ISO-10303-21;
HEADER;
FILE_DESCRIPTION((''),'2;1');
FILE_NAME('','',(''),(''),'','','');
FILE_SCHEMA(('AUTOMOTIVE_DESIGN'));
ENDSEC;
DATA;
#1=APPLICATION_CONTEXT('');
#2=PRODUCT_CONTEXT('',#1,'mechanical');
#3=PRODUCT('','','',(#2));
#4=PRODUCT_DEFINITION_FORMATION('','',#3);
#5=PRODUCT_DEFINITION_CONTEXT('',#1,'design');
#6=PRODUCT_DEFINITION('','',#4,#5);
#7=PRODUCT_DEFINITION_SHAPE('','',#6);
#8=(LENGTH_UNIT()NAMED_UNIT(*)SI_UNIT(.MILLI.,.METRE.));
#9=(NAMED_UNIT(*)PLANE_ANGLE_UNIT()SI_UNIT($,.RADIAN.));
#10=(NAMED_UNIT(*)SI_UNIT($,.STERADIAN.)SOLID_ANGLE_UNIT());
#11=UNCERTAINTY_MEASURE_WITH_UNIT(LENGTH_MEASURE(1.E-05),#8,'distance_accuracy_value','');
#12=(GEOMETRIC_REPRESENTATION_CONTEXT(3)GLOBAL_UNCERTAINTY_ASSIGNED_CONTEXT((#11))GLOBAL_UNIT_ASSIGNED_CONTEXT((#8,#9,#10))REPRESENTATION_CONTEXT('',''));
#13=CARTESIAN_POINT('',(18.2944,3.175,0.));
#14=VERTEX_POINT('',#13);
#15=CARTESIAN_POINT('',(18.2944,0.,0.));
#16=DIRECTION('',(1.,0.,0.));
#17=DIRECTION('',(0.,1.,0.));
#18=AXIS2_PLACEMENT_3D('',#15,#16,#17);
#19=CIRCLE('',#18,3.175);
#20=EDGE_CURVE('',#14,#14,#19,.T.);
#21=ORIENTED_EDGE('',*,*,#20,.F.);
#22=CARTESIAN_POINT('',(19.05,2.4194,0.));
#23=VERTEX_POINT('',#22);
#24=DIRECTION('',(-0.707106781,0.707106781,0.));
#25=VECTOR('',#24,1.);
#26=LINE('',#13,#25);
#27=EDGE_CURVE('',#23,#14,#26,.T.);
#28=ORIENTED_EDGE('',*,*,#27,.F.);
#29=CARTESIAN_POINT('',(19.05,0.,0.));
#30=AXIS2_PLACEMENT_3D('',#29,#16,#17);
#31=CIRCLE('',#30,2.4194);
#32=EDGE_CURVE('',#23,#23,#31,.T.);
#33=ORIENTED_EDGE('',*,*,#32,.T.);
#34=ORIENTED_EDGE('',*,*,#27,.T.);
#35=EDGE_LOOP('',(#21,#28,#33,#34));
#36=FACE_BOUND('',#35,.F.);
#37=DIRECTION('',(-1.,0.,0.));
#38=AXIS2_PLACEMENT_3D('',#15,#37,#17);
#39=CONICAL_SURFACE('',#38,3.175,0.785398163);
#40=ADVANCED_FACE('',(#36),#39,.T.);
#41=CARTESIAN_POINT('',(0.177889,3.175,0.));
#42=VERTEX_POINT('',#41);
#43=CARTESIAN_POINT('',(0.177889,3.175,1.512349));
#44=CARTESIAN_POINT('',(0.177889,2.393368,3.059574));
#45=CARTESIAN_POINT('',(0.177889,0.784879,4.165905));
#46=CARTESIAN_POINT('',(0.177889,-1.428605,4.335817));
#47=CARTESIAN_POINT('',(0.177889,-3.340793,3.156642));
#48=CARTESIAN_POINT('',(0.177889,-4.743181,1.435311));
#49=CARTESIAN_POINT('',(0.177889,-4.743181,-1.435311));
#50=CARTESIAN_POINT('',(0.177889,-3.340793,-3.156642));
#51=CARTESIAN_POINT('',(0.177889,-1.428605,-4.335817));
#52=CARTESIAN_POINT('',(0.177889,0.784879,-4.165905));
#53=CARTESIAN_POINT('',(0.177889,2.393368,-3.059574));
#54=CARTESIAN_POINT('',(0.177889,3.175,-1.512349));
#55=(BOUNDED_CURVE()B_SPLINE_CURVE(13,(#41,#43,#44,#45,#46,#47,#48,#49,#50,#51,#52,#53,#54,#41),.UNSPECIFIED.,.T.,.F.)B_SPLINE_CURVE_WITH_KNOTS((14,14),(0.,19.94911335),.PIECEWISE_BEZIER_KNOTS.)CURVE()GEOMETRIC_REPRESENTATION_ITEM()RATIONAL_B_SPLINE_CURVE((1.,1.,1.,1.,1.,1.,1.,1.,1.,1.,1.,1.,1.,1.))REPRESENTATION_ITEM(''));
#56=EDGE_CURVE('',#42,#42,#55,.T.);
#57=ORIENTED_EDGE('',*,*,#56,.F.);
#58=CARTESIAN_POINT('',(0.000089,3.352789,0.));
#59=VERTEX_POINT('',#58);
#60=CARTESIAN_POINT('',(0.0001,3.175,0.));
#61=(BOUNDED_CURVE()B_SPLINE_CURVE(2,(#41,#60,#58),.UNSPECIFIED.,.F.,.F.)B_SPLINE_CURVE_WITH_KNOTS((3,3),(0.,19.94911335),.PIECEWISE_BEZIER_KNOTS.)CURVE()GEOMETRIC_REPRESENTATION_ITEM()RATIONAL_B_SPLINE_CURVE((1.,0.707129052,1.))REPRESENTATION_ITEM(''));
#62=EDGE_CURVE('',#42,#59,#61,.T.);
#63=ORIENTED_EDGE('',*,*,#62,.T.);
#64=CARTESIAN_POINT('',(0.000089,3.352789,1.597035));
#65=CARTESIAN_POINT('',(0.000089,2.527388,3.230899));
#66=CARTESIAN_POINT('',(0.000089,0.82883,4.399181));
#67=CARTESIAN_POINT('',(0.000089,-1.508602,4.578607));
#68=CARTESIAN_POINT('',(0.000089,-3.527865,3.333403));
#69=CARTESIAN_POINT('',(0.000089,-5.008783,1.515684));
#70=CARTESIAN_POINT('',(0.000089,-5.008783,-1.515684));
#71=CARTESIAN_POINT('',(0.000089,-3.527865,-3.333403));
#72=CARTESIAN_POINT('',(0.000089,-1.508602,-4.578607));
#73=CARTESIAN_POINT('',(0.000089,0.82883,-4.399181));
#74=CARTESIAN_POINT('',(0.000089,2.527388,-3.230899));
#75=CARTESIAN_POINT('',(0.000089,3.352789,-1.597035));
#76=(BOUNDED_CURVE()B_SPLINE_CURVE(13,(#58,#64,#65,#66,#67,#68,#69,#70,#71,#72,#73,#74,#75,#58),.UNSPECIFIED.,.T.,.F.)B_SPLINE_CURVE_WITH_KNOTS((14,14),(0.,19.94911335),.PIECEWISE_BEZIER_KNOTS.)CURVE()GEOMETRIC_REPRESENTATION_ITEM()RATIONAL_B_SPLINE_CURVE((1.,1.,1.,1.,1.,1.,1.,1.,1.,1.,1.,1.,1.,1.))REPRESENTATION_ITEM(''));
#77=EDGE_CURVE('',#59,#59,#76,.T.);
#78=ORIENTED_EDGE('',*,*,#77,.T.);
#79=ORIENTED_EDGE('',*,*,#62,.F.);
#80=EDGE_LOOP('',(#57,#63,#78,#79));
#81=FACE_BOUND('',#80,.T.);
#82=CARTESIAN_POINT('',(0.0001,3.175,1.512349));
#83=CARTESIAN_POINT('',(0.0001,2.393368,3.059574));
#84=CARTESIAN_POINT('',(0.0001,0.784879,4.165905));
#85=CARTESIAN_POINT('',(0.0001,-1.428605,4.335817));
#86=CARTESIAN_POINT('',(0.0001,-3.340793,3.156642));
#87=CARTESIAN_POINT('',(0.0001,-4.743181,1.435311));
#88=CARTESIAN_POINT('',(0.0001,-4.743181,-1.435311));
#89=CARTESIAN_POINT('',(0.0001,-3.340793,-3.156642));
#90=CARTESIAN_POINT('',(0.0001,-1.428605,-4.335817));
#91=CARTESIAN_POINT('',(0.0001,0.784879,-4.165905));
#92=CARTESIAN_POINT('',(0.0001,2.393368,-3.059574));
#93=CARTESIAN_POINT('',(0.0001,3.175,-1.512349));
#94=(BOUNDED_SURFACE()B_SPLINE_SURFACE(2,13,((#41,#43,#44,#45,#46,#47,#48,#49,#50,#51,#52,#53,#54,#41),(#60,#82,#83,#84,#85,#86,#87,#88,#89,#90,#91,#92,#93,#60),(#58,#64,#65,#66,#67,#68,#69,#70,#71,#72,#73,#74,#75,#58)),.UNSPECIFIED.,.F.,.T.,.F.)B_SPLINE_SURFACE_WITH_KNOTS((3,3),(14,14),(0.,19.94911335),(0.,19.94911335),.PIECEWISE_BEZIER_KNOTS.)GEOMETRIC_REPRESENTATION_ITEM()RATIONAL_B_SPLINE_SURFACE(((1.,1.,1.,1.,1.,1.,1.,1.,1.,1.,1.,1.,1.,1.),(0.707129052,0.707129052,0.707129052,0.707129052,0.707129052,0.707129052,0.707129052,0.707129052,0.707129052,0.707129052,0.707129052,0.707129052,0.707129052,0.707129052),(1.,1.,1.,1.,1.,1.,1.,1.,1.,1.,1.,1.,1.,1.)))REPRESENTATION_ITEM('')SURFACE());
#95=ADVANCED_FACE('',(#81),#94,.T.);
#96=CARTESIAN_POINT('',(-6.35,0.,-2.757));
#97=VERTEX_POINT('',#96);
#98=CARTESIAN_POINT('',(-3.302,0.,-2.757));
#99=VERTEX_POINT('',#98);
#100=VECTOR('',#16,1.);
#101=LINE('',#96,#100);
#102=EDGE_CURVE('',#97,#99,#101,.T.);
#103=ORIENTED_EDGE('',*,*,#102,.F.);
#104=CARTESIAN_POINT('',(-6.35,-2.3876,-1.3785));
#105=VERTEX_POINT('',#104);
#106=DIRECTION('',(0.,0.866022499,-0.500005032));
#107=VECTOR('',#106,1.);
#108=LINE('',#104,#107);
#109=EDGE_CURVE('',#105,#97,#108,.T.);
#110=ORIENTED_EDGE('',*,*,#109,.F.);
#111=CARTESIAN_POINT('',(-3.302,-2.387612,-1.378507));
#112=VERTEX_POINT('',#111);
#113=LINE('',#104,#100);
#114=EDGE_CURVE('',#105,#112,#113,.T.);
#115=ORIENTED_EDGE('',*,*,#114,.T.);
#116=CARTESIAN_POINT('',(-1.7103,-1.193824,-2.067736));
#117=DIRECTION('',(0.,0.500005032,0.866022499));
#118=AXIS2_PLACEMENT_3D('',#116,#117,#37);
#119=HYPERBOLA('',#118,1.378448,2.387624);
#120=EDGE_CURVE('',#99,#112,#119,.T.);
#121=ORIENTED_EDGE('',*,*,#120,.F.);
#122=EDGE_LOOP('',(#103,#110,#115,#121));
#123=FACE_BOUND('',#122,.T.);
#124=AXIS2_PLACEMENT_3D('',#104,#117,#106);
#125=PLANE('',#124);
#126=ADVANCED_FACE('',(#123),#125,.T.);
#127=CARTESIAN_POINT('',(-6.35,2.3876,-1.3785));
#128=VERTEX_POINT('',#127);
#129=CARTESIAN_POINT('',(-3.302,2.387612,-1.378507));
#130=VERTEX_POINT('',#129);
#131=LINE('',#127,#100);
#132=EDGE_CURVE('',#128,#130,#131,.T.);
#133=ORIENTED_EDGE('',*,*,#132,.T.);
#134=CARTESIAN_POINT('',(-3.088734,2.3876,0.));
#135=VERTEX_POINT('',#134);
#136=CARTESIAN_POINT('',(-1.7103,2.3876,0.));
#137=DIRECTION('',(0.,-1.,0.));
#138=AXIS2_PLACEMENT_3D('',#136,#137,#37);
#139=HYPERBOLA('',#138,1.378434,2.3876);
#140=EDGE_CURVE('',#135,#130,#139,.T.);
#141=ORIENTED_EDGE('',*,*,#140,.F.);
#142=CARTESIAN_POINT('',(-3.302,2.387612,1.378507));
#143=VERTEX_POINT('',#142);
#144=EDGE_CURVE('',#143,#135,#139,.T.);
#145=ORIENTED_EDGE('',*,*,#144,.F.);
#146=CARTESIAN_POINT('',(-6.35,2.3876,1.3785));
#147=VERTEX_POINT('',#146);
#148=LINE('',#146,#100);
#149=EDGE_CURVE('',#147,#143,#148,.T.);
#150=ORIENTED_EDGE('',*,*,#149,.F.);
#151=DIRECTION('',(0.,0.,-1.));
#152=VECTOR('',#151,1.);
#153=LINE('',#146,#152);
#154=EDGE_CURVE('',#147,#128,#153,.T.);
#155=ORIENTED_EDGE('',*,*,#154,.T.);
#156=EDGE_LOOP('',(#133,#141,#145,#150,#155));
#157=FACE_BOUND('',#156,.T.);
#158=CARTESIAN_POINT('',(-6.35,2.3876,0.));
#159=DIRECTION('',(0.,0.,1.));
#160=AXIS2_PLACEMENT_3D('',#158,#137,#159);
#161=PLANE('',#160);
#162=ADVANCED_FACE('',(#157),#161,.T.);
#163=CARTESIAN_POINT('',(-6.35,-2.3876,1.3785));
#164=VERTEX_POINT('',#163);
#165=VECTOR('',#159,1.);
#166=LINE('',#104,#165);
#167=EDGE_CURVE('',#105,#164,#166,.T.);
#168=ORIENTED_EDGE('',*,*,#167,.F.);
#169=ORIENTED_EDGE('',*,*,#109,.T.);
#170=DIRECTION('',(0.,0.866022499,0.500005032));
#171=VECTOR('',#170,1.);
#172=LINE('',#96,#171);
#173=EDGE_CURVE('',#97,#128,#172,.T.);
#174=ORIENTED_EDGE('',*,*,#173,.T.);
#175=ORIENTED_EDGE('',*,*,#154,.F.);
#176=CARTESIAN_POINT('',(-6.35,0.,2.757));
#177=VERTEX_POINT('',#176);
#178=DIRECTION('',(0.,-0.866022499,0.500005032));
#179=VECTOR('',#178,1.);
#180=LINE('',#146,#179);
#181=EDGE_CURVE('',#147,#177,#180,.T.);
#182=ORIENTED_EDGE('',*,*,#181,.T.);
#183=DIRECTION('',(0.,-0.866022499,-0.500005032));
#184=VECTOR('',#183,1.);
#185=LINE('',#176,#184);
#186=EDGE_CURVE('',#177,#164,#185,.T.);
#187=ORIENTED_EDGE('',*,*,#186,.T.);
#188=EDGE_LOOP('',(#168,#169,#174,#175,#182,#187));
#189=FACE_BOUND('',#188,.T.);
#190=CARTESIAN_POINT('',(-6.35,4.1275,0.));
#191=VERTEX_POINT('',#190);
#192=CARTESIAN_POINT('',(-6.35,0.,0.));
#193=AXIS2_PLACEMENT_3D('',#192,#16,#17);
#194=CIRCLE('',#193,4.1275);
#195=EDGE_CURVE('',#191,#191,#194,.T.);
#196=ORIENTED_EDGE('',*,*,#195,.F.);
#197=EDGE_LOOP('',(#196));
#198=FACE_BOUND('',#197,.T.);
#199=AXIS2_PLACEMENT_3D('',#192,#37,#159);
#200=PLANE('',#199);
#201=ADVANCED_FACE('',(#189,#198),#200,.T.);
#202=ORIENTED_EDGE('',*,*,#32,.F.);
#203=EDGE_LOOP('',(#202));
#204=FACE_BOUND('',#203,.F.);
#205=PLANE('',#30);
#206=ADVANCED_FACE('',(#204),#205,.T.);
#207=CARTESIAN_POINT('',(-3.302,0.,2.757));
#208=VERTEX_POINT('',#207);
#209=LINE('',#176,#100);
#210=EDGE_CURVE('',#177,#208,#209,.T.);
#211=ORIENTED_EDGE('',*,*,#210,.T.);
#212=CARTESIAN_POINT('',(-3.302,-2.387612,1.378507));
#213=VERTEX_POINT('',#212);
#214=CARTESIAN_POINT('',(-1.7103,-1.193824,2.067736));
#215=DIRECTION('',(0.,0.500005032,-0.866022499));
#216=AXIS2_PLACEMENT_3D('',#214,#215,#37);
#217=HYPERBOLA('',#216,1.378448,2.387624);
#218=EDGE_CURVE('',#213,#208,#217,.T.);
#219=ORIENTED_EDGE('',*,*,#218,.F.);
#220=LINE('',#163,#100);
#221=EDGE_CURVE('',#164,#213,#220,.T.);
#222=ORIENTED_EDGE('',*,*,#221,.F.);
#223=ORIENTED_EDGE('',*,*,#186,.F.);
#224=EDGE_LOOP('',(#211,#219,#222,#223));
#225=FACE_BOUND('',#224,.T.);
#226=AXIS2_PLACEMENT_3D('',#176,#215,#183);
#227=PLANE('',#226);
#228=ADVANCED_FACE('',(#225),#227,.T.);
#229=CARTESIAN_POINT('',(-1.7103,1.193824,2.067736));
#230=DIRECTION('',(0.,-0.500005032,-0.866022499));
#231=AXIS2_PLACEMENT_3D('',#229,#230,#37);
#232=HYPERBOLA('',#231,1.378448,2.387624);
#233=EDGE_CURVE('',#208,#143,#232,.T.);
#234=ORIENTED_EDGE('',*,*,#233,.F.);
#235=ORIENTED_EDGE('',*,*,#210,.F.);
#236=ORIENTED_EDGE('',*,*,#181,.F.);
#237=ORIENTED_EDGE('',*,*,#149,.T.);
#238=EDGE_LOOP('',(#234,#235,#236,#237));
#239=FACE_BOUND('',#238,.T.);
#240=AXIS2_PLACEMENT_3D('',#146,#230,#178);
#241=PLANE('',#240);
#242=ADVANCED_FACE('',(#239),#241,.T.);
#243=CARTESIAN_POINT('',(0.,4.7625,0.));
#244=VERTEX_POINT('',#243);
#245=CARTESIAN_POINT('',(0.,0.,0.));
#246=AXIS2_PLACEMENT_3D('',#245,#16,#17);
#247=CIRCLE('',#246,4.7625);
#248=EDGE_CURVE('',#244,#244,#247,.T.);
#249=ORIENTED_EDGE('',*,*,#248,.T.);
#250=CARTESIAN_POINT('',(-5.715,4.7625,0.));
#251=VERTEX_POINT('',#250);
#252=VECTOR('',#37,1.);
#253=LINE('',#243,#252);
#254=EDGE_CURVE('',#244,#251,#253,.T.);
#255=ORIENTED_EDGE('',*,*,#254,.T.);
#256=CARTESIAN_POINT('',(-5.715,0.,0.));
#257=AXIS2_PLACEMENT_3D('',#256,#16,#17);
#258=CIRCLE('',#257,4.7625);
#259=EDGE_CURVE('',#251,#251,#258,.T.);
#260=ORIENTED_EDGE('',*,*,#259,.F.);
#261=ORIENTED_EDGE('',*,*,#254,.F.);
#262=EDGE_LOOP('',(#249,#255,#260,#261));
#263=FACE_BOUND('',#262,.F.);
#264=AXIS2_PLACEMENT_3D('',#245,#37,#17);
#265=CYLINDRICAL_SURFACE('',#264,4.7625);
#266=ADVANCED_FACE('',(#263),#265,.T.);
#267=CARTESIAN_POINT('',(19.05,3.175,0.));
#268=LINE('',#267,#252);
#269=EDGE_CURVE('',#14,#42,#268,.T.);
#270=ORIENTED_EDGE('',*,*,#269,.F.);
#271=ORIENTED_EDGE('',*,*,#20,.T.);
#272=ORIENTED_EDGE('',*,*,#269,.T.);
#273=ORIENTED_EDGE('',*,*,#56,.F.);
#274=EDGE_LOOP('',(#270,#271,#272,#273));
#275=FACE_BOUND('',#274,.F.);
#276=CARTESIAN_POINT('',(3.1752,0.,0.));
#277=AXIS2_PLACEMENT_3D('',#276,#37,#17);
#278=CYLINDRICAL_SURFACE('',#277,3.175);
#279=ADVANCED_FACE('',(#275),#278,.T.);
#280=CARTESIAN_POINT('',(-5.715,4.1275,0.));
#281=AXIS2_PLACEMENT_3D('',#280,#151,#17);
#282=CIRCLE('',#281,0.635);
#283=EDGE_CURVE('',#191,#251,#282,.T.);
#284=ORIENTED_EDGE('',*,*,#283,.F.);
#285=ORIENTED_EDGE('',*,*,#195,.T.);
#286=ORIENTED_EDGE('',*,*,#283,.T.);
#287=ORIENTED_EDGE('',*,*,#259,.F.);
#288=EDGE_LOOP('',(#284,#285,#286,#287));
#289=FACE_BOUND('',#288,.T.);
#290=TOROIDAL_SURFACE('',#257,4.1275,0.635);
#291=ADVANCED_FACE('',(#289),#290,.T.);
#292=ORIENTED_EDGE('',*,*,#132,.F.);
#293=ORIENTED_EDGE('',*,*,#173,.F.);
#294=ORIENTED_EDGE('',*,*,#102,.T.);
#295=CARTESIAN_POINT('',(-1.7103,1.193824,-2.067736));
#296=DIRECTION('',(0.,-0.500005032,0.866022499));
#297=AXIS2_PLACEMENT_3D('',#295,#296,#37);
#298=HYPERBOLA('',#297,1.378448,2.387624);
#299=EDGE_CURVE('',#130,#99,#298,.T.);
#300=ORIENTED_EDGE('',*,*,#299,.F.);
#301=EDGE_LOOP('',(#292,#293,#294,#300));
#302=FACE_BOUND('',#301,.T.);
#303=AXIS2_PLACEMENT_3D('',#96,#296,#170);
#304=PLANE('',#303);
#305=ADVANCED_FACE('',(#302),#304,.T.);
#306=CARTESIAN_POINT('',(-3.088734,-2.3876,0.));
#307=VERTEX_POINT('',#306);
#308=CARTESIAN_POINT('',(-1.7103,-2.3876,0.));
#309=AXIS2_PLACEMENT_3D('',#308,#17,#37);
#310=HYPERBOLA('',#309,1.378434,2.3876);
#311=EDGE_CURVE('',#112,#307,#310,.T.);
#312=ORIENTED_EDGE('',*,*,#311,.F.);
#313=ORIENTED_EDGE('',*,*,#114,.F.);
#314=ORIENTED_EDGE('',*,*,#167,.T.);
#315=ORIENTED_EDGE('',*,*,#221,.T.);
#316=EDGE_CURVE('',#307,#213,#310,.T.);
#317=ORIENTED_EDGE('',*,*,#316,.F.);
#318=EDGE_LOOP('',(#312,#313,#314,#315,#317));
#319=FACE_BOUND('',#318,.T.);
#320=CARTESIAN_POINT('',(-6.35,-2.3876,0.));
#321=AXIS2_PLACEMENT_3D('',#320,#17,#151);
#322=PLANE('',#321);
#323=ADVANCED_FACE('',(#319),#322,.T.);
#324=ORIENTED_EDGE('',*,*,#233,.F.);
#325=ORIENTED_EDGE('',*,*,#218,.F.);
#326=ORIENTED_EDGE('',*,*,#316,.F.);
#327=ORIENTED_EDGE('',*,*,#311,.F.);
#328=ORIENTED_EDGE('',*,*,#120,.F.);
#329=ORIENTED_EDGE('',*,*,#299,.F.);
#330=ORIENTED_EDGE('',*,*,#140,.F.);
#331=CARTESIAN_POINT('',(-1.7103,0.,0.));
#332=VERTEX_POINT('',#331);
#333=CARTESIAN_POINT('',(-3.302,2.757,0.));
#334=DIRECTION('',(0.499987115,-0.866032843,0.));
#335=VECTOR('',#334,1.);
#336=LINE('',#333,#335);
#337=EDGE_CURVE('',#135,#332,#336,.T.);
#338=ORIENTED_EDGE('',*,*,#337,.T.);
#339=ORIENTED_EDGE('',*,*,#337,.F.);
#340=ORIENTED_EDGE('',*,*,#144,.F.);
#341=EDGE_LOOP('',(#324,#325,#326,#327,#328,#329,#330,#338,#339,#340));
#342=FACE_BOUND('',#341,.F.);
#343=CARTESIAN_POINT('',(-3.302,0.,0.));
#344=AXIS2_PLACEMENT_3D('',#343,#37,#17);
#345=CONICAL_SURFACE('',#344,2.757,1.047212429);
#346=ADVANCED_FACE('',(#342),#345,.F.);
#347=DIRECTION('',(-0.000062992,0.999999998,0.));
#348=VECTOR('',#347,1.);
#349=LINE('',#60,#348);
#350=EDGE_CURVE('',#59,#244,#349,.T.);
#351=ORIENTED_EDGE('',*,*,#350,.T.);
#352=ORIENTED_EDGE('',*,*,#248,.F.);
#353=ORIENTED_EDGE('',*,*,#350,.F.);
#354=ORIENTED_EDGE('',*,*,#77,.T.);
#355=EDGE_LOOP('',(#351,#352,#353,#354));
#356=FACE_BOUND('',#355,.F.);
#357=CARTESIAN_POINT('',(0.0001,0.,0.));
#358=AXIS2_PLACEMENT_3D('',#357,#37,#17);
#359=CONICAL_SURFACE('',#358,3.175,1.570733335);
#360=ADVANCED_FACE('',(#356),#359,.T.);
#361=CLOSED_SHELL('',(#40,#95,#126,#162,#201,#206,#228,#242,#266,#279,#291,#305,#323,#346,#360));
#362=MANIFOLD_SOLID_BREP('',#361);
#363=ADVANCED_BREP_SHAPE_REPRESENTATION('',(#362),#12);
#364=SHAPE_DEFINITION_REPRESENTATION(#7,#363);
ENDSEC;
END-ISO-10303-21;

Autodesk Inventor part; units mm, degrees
ref_plane "YZ Plane" through (0, 0, 0) normal (1, 0, 0) x (0, 1, 0)
ref_plane "XZ Plane" through (0, 0, 0) normal (0, 1, 0) x (-1, 0, 0)
sketch "Sketch1" plane through (0, 0, 0) normal (0, 0, 1) x (1, 0, 0)
  line L0 (-1.7103, 0) -> (19.05, 0)
  line L1 (19.05, 0) -> (19.05, 3.175)
  line L2 (19.05, 3.175) -> (3.1752, 3.175)
  line L3 (3.1752, 3.175) -> (0.0001, 3.175)
  line L4 (0.0001, 3.175) -> (0, 3.175)
  line L5 (0, 3.175) -> (0, 4.7625)
  line L6 (0, 4.7625) -> (-6.35, 4.7625)
  line L7 (-6.35, 4.7625) -> (-6.35, 2.757)
  line L8 (-6.35, 2.757) -> (-3.302, 2.757)
  line L9 (-3.302, 2.757) -> (-1.7103, 0)
  line L10 (-11.43, 0) -> (24.13, 0) projected
  line L11 (0, -0.9525) -> (0, 5.715) projected
  line L12 (3.1752, 3.175) -> (0, 3.175) construction
  dimension "d1" = 15.8748
  dimension "d2" = 3.1751
  dimension "d3" = 6.35
  dimension "d4" = 3.048
  dimension "d5" = 60
  dimension "d6" = 6.35
  dimension "d7" = 6.35
  dimension "d8" = 5.5139
  dimension "d9" = 9.525
  dimension "d26" = 19.05
revolve "Body" add sketch "Sketch1" angle 360 about axis through (-1.7103, 0, 0) along (1, 0, 0)
sketch "Sketch2" plane through (-6.35, 0, 0) normal (-1, 0, 0) x (0, 0, 1)
  circle A0 centre (0, 0) radius 2.757 projected
  line L0 (0, -6.6675) -> (0, 6.6675) projected
  line L1 (-6.6675, 0) -> (6.6675, 0) projected
  line L2 (2.757, 0) -> (1.3785, -2.3876)
  line L3 (1.3785, -2.3876) -> (-1.3785, -2.3876)
  line L4 (-1.3785, -2.3876) -> (-2.757, 0)
  line L5 (-2.757, 0) -> (-1.3785, 2.3876)
  line L6 (-1.3785, 2.3876) -> (1.3785, 2.3876)
  line L7 (1.3785, 2.3876) -> (2.757, 0)
extrude "Slot" add sketch "Sketch2" against normal up to next contours L7 A0 | A0 L2 | L6 L0 A0 | A0 L0 L3 | L0 L6 A0 | A0 L3 L0 | L4 A0 | A0 L5
fillet "Fillet1" radius 0.635 1 edges at (-6.35, -4.7625, 0)
thread "Thread" size "1/4-20 UNC" class "2A" standard "ANSI Unified Screw Threads" length 15.8748
chamfer "Chamfer1" distance 0.7556 distance2 0.7556 1 edges at (19.05, -3.175, 0) measured on face at (19.05, 0.0983, -0.8099)
ref_plane "Work Plane1" through (29, 0, 0) normal (0, -1, 0) x (1, 0, 0)
fillet "Fillet2" radius 0.1778 1 edges at (0.0001, -3.175, 0)
equation "\"d1\" = GEL"
equation "\"d3\" = KOH"
equation "\"d4\" = INTI"
equation "\"d6\" = GD"
equation "\"d7\" = BDM"
equation "\"d8\" = 1.1547 * SW"
equation "\"d9\" = KOD"
equation "\"d26\" = NLG"
equation "\"d30\" = R"
equation "\"d17\" = RR"
equation "\"d13\" = GEL"
equation "\"d15\" = -0.5 * SPD + 0.5 * GD"
equation "\"d16\" = GUL"
equation "\"GD\" = 6.35"
equation "\"NLG\" = 19.05"
equation "\"GEL\" = 15.8748"
equation "\"KOD\" = 9.525"
equation "\"KOH\" = 6.35"
equation "\"INTI\" = 3.048"
equation "\"GAL\" = 3.175"
equation "\"GUL\" = 0.75565"
equation "\"BDM\" = 6.35"
equation "\"SW\" = 4.7752"
equation "\"RR\" = 0.635"
equation "\"SPD\" = 4.8387"
equation "\"R\" = 0.1778"
equation "\"PHH\" = 0.2032"
equation "\"GD1\" = SPD"
equation "\"THREADDIA\" = 6.35"
equation "\"FAWI\" = 45deg"
equation "\"KOH1\" = 5.715"
equation "\"NND\" = 6.35"
equation "\"TOA\" = 30deg"
equation "\"E0\" = 1.155 * SW"
properties part number "ANSI B18.3 - 1/4 - 20 UNC - 3/4 HS HCS" material "Steel, Mild"
